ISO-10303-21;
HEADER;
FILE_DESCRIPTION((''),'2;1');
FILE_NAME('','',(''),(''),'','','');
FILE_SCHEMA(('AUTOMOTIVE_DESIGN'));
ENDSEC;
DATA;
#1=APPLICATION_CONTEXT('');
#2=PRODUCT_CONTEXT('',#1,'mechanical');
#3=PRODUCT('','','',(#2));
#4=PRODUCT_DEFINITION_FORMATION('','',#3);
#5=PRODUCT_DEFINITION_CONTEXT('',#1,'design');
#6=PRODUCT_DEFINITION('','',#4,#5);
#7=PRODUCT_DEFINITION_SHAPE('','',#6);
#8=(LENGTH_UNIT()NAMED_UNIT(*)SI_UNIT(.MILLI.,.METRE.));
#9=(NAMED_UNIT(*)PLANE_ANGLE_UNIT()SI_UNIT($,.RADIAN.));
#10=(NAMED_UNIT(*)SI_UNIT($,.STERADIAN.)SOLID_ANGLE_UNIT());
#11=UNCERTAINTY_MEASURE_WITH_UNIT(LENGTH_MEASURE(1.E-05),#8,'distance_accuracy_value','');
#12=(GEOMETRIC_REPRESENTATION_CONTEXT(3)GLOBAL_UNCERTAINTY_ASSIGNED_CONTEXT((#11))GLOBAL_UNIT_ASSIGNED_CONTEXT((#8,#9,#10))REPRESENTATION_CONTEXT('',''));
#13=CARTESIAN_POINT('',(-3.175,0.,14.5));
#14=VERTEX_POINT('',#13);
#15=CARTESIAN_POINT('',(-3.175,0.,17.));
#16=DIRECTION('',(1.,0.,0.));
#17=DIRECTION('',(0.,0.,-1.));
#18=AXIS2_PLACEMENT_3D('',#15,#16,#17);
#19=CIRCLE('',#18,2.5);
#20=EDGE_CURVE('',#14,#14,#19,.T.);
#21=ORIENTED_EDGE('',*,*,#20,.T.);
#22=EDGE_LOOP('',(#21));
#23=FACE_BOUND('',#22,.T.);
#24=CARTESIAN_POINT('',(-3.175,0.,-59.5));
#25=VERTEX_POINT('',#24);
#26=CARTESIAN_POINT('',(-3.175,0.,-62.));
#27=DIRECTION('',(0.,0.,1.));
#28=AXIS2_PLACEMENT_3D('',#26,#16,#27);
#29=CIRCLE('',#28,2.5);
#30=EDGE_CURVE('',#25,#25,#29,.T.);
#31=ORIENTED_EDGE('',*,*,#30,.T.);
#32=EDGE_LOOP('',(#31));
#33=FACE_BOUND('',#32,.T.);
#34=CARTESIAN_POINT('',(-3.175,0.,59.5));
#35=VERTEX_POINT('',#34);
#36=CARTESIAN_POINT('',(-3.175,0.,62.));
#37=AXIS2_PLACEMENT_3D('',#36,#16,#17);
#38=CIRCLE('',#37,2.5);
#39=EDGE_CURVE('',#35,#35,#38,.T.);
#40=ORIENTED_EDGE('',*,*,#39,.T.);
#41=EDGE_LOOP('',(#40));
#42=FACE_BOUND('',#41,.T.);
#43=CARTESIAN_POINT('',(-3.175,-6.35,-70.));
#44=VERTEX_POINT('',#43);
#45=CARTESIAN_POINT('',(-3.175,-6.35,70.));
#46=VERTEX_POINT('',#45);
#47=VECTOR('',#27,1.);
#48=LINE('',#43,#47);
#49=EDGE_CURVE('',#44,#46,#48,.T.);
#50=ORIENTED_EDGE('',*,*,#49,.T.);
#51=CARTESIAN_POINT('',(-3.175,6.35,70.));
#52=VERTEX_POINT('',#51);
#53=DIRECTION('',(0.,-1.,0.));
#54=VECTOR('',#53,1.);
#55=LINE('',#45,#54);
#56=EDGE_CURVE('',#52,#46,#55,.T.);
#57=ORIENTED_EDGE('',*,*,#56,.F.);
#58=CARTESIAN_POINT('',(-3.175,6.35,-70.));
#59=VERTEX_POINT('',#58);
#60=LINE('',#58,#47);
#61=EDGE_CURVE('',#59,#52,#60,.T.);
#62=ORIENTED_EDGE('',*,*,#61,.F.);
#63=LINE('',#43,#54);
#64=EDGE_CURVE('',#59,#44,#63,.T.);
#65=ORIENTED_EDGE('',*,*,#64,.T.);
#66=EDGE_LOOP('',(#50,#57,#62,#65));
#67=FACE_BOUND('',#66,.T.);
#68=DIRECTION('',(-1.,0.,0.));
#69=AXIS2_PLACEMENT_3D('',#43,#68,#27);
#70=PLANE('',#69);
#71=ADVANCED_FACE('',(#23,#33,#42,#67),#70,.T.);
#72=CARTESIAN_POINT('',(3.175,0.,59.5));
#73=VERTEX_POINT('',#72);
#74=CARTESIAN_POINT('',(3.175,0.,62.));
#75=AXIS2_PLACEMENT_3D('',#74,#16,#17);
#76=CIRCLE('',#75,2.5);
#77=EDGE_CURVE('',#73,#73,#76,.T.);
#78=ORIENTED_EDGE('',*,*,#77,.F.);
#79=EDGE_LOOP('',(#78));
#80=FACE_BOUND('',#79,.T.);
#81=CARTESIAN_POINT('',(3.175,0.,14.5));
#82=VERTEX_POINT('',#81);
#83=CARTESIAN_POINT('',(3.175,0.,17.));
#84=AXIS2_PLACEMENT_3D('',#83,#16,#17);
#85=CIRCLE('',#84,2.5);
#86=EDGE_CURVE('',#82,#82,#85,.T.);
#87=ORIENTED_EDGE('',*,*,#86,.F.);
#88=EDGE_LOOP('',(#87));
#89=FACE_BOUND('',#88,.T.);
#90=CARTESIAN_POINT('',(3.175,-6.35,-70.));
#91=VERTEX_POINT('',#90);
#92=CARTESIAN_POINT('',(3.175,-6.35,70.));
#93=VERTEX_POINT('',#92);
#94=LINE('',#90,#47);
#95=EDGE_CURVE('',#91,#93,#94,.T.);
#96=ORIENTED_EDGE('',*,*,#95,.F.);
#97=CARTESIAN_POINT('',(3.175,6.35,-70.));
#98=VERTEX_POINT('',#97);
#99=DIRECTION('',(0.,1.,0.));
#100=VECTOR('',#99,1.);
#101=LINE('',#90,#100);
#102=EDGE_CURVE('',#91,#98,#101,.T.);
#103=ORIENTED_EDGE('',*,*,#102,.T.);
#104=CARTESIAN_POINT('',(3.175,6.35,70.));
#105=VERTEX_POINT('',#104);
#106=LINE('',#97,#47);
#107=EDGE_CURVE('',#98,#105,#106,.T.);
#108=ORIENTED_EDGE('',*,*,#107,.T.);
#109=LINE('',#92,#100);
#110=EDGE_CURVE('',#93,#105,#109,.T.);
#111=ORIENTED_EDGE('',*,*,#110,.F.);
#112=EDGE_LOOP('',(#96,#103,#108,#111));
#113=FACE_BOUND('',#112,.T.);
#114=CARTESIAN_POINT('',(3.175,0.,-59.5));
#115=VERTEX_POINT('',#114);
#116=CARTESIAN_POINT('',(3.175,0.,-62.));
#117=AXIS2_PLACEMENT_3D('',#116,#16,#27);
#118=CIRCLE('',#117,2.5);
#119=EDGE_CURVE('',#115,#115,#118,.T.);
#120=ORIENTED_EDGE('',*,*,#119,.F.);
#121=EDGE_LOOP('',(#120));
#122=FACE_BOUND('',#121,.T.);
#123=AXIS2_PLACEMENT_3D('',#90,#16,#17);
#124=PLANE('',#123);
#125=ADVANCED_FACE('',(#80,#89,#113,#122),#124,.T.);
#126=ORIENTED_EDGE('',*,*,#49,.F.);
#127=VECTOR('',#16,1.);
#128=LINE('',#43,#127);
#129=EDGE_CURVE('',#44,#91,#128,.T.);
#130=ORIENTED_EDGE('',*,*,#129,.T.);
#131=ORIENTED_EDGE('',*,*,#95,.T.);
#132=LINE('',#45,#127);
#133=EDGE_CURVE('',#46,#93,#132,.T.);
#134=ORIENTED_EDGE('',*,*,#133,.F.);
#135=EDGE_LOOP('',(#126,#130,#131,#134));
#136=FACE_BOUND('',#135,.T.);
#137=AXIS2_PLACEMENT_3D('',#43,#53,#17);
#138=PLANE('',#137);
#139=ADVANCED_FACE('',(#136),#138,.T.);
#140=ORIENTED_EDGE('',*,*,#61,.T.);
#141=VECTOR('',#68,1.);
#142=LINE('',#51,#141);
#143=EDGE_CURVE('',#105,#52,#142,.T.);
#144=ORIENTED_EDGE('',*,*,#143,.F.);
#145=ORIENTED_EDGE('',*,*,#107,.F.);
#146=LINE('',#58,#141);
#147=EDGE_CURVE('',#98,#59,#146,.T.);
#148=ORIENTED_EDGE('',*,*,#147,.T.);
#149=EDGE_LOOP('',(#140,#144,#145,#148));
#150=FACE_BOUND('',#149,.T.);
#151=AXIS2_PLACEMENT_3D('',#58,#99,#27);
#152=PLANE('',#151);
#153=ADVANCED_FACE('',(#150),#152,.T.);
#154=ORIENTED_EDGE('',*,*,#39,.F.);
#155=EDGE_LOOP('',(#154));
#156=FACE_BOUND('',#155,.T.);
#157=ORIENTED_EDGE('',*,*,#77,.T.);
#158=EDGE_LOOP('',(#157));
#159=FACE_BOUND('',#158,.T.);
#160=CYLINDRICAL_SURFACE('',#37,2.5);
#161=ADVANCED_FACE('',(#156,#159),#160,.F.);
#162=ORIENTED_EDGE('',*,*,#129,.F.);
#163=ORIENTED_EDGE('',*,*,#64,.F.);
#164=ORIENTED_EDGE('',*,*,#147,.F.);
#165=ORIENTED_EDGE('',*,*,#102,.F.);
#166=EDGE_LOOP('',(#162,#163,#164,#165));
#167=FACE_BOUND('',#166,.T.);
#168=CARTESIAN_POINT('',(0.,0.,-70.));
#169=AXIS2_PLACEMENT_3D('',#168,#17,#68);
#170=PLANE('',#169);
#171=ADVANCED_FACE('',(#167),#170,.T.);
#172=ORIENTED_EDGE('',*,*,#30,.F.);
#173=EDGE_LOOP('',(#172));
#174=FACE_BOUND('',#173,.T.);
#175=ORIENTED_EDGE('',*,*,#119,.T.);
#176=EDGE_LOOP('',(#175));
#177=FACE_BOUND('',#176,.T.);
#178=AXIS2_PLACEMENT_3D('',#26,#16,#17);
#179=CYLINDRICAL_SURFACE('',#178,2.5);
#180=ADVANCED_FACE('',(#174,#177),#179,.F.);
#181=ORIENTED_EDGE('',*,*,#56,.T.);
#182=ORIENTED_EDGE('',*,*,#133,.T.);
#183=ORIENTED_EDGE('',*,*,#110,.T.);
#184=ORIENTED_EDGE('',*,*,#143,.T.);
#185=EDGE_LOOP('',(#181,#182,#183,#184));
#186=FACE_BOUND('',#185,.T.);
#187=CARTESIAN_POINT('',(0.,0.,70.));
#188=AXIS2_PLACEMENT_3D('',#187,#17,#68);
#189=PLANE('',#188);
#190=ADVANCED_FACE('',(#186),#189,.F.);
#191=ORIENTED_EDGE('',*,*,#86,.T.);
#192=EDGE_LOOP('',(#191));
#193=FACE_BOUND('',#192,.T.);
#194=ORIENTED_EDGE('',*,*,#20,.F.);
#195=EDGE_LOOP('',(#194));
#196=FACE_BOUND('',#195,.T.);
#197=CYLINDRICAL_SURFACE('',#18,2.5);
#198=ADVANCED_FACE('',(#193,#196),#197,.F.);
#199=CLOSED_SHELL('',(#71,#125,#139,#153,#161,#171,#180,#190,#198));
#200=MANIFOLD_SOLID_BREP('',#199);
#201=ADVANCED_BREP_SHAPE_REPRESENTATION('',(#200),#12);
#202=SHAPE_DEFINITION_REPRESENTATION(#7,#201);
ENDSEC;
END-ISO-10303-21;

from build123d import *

# Parameters (mm, degrees)
BOSS_EXTRUDE1_DEPTH      = 70
BOSS_EXTRUDE1_DEPTH_BACK = 70
SKETCH2_W                = 6.35
SKETCH2_H                = 12.7
SKETCH4_R                = 2.5
CUT_EXTRUDE1_DEPTH       = 71.573684897


with BuildPart() as part:
    # Sketch2 → Boss-Extrude1 (new, two sides: drawn at the far end of the back side and taken through both)
    with BuildSketch(Plane.XY.offset(-BOSS_EXTRUDE1_DEPTH_BACK)):
        Rectangle(SKETCH2_W, SKETCH2_H)
    extrude(amount=BOSS_EXTRUDE1_DEPTH + BOSS_EXTRUDE1_DEPTH_BACK)

    # Sketch4 → Cut-Extrude1 (cut, through all)
    with BuildSketch(Plane(origin=(3.175, 0, 0), x_dir=(0, 0, -1), z_dir=(1, 0, 0))):
        with Locations((-62, 0)):
            Circle(SKETCH4_R)
        with Locations((62, 0)):
            Circle(SKETCH4_R)
        with Locations((-17, 0)):
            Circle(SKETCH4_R)
    extrude(amount=-CUT_EXTRUDE1_DEPTH, mode=Mode.SUBTRACT)


solid = part.part
